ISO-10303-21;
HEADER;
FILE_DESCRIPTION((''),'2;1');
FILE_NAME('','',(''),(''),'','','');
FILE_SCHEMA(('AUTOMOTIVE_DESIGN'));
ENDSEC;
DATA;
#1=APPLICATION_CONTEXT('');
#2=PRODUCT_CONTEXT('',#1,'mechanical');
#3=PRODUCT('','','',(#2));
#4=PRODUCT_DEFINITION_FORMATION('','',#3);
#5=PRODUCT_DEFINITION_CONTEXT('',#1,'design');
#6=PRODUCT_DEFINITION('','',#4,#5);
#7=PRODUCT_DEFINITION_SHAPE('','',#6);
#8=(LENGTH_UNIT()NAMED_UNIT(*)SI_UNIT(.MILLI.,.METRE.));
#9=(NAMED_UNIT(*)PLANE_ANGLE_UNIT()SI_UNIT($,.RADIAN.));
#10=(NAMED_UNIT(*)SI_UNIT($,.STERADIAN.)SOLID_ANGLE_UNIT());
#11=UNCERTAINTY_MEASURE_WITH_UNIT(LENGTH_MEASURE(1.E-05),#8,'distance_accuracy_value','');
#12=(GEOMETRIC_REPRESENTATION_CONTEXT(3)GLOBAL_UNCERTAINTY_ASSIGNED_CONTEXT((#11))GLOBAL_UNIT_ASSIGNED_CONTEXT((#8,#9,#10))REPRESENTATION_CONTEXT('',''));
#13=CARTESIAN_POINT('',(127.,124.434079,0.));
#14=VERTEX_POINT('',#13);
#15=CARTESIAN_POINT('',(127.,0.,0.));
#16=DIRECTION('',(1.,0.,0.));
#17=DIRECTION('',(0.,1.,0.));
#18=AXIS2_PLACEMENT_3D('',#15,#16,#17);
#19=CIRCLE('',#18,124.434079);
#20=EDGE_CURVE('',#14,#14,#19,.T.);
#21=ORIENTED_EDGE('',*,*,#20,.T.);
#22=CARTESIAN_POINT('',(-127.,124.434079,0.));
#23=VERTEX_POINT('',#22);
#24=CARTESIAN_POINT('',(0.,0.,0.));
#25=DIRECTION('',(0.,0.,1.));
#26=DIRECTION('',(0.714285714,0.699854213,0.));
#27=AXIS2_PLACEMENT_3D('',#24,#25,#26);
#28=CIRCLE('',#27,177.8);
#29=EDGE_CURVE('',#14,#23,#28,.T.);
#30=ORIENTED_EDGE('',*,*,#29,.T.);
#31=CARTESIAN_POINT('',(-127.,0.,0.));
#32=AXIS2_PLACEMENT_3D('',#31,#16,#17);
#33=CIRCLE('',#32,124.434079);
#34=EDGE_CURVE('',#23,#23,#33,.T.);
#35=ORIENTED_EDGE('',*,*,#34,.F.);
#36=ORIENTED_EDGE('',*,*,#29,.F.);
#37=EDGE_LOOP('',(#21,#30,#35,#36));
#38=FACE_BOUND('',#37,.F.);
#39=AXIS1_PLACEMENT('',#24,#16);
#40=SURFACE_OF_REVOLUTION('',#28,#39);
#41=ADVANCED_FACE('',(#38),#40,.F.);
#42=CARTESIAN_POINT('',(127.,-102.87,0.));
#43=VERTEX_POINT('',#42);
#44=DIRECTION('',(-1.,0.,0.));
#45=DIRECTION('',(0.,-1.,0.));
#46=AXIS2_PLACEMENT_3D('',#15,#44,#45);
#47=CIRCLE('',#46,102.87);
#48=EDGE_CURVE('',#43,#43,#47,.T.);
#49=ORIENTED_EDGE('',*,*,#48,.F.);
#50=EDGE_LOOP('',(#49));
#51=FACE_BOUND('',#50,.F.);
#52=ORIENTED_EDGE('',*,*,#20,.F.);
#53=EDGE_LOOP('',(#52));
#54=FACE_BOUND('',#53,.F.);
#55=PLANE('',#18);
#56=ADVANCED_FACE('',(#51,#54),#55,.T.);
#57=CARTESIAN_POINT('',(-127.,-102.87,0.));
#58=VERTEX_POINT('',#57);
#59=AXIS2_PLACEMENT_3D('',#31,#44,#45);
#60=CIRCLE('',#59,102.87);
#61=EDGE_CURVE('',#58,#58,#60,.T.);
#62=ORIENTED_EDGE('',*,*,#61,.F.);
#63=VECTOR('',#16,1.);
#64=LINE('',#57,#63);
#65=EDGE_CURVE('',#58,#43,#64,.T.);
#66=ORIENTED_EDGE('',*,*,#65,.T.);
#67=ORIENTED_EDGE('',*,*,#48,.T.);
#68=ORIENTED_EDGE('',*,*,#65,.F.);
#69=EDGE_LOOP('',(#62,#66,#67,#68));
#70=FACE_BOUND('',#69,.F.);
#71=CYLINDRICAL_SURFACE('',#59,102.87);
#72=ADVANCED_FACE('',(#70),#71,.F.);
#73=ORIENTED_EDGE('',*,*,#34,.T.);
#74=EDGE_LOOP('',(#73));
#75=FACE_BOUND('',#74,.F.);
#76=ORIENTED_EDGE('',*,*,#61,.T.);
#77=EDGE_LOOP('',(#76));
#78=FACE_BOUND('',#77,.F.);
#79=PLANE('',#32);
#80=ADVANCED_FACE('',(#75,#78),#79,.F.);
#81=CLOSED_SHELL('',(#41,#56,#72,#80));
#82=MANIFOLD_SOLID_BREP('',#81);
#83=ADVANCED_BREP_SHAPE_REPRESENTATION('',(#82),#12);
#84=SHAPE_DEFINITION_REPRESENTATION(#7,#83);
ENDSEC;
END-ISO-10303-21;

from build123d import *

# Parameters (mm, degrees)
F2_R     = 102.87
F3_DEPTH = 254.001


with BuildPart() as f1:
    # F0 (on Top) → F1 (revolve)
    with BuildSketch(Plane.XY):
        with BuildLine():
            Line((127, 0), (127, 124.434079))
            ThreePointArc((127, 124.434079), (0, 177.8), (-127, 124.434079))
            Line((-127, 124.434079), (-127, 0))
            Line((-127, 0), (127, 0))
        make_face()
    revolve(axis=Axis((0, 0, 0), (1, 0, 0)))

    # F2 (on face) → F3 (cut, through all)
    with BuildSketch(Plane(origin=(-127, 0, 0), x_dir=(0, -1, 0), z_dir=(-1, 0, 0))):
        Circle(F2_R)
    extrude(amount=-F3_DEPTH, mode=Mode.SUBTRACT)


solid = f1.part
